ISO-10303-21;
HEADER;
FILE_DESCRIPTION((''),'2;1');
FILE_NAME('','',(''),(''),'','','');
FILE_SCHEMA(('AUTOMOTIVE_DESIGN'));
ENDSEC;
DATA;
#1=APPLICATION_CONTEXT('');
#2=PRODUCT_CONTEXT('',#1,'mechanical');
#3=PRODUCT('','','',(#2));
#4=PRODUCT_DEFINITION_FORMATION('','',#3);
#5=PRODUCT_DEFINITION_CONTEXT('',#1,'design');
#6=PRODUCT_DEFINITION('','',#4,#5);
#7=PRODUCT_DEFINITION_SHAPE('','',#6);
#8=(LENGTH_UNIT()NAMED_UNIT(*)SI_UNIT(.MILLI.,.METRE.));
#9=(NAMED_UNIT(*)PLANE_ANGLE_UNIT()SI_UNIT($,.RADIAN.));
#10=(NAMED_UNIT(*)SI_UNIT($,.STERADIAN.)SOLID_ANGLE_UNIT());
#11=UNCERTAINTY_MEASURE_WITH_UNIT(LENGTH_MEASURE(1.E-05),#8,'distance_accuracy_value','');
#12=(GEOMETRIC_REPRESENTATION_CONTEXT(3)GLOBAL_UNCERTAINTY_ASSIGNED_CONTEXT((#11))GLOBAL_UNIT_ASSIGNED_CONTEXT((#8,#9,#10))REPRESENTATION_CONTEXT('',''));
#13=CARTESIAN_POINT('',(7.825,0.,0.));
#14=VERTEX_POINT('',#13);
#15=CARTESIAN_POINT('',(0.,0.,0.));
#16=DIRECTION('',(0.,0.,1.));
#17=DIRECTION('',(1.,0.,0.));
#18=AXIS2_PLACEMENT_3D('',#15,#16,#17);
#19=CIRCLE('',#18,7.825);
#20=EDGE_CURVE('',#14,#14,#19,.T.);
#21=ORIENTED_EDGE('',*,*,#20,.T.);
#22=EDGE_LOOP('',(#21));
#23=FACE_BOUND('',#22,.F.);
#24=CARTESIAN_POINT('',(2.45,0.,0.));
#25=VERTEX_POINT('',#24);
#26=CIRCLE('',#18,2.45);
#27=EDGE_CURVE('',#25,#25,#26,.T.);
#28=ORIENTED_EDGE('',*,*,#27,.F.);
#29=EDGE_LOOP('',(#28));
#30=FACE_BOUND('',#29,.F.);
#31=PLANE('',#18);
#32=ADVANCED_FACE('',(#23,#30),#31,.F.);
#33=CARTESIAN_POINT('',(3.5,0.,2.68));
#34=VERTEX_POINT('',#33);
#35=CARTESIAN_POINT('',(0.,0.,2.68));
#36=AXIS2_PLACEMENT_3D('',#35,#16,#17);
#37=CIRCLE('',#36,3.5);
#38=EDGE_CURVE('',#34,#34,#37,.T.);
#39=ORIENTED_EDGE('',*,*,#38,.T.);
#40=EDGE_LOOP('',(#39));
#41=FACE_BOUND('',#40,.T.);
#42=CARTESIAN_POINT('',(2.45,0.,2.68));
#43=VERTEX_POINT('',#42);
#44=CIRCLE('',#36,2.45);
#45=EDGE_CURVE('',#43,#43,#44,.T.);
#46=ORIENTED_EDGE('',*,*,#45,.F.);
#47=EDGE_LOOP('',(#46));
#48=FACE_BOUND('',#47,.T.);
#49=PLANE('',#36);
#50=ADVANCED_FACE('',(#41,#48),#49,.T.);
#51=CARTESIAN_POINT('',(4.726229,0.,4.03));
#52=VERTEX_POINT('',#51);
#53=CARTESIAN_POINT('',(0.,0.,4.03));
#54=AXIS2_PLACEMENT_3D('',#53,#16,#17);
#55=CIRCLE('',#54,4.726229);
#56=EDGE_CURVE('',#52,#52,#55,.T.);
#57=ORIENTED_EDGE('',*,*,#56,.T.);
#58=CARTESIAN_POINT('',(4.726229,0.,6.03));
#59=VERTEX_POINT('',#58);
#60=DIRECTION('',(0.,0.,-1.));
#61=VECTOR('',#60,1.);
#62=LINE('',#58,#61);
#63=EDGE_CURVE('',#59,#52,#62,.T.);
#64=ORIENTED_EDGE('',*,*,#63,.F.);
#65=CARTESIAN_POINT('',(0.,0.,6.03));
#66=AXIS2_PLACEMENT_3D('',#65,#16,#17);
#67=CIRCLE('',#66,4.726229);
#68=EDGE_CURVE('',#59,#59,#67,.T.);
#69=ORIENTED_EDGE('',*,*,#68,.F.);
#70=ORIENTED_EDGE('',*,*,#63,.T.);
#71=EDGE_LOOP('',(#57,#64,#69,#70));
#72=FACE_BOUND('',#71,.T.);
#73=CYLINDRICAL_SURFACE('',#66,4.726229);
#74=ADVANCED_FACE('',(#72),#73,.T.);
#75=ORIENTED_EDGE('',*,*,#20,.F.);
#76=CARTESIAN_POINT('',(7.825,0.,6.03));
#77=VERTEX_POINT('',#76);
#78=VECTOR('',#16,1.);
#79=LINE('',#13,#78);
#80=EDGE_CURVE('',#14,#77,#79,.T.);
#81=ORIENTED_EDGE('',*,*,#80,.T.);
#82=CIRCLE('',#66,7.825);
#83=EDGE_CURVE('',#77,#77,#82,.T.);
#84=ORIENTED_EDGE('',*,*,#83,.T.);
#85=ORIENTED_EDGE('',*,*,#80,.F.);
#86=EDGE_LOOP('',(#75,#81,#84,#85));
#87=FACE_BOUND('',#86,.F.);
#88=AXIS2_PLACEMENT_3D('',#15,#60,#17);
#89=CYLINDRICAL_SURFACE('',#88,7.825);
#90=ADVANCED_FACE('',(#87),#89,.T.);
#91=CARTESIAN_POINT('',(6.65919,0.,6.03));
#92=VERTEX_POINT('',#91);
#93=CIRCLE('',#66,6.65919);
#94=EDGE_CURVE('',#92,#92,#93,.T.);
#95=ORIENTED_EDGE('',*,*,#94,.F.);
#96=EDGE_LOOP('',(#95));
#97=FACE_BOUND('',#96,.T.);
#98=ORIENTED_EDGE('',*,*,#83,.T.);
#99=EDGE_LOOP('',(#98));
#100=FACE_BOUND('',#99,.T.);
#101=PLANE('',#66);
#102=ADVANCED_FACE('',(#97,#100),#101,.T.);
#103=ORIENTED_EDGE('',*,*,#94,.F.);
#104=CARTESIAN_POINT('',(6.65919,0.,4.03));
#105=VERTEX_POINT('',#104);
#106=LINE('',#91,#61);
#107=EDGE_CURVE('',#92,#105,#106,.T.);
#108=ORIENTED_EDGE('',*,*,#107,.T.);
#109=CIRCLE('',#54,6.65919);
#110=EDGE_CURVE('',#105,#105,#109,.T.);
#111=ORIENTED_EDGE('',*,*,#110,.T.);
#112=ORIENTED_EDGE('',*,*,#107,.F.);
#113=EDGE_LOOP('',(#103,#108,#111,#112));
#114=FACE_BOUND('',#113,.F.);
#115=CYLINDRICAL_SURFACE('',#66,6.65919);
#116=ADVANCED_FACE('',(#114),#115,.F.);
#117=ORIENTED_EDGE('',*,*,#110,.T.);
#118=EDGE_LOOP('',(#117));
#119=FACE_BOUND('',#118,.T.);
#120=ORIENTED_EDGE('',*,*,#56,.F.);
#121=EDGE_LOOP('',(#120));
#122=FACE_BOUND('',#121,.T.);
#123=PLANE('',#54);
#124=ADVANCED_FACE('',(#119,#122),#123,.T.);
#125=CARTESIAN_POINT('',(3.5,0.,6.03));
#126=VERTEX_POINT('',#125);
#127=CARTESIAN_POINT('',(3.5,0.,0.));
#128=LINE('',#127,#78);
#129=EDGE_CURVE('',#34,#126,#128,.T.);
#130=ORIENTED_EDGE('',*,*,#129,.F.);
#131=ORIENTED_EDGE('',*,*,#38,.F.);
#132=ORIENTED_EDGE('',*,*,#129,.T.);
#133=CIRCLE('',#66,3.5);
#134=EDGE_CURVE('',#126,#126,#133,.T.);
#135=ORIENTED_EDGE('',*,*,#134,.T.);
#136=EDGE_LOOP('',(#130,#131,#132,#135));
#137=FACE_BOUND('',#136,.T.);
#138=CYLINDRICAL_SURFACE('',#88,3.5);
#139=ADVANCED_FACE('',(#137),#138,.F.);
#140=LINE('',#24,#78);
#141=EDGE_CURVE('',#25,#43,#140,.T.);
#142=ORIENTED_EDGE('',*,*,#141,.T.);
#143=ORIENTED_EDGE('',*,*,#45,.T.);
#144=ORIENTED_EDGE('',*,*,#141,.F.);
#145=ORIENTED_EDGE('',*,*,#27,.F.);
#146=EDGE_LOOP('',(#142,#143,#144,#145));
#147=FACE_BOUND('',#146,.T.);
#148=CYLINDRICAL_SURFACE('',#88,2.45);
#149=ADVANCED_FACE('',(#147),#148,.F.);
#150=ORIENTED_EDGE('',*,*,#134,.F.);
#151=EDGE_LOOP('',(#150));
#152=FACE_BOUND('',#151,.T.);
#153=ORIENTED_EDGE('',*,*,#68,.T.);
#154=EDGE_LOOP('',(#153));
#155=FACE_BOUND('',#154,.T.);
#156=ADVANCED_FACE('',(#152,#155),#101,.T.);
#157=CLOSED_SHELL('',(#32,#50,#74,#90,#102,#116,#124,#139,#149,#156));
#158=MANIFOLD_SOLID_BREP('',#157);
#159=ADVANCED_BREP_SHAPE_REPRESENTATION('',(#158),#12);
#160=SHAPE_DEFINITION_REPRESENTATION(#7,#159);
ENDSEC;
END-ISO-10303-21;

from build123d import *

# Parameters (mm, degrees)
F0_R     = 7.825
F0_R_2   = 3.5
F1_DEPTH = 6.03
F0_R_3   = 2.45
F2_DEPTH = 2.68
F3_R     = 6.65919
F3_R_2   = 4.726229
F4_DEPTH = 2


with BuildPart() as f1:
    # F0 (on Top) → F1 (new body)
    with BuildSketch(Plane.XY):
        Circle(F0_R)
        Circle(F0_R_2, mode=Mode.SUBTRACT)
    extrude(amount=F1_DEPTH)

    # F0 (on Top) → F2 (join)
    with BuildSketch(Plane.XY):
        Circle(F0_R_2)
        Circle(F0_R_3, mode=Mode.SUBTRACT)
    extrude(amount=F2_DEPTH)

    # F3 (on face) → F4 (cut)
    with BuildSketch(Plane.XY.offset(6.03)):
        Circle(F3_R)
        Circle(F3_R_2, mode=Mode.SUBTRACT)
    extrude(amount=-F4_DEPTH, mode=Mode.SUBTRACT)


solid = f1.part
